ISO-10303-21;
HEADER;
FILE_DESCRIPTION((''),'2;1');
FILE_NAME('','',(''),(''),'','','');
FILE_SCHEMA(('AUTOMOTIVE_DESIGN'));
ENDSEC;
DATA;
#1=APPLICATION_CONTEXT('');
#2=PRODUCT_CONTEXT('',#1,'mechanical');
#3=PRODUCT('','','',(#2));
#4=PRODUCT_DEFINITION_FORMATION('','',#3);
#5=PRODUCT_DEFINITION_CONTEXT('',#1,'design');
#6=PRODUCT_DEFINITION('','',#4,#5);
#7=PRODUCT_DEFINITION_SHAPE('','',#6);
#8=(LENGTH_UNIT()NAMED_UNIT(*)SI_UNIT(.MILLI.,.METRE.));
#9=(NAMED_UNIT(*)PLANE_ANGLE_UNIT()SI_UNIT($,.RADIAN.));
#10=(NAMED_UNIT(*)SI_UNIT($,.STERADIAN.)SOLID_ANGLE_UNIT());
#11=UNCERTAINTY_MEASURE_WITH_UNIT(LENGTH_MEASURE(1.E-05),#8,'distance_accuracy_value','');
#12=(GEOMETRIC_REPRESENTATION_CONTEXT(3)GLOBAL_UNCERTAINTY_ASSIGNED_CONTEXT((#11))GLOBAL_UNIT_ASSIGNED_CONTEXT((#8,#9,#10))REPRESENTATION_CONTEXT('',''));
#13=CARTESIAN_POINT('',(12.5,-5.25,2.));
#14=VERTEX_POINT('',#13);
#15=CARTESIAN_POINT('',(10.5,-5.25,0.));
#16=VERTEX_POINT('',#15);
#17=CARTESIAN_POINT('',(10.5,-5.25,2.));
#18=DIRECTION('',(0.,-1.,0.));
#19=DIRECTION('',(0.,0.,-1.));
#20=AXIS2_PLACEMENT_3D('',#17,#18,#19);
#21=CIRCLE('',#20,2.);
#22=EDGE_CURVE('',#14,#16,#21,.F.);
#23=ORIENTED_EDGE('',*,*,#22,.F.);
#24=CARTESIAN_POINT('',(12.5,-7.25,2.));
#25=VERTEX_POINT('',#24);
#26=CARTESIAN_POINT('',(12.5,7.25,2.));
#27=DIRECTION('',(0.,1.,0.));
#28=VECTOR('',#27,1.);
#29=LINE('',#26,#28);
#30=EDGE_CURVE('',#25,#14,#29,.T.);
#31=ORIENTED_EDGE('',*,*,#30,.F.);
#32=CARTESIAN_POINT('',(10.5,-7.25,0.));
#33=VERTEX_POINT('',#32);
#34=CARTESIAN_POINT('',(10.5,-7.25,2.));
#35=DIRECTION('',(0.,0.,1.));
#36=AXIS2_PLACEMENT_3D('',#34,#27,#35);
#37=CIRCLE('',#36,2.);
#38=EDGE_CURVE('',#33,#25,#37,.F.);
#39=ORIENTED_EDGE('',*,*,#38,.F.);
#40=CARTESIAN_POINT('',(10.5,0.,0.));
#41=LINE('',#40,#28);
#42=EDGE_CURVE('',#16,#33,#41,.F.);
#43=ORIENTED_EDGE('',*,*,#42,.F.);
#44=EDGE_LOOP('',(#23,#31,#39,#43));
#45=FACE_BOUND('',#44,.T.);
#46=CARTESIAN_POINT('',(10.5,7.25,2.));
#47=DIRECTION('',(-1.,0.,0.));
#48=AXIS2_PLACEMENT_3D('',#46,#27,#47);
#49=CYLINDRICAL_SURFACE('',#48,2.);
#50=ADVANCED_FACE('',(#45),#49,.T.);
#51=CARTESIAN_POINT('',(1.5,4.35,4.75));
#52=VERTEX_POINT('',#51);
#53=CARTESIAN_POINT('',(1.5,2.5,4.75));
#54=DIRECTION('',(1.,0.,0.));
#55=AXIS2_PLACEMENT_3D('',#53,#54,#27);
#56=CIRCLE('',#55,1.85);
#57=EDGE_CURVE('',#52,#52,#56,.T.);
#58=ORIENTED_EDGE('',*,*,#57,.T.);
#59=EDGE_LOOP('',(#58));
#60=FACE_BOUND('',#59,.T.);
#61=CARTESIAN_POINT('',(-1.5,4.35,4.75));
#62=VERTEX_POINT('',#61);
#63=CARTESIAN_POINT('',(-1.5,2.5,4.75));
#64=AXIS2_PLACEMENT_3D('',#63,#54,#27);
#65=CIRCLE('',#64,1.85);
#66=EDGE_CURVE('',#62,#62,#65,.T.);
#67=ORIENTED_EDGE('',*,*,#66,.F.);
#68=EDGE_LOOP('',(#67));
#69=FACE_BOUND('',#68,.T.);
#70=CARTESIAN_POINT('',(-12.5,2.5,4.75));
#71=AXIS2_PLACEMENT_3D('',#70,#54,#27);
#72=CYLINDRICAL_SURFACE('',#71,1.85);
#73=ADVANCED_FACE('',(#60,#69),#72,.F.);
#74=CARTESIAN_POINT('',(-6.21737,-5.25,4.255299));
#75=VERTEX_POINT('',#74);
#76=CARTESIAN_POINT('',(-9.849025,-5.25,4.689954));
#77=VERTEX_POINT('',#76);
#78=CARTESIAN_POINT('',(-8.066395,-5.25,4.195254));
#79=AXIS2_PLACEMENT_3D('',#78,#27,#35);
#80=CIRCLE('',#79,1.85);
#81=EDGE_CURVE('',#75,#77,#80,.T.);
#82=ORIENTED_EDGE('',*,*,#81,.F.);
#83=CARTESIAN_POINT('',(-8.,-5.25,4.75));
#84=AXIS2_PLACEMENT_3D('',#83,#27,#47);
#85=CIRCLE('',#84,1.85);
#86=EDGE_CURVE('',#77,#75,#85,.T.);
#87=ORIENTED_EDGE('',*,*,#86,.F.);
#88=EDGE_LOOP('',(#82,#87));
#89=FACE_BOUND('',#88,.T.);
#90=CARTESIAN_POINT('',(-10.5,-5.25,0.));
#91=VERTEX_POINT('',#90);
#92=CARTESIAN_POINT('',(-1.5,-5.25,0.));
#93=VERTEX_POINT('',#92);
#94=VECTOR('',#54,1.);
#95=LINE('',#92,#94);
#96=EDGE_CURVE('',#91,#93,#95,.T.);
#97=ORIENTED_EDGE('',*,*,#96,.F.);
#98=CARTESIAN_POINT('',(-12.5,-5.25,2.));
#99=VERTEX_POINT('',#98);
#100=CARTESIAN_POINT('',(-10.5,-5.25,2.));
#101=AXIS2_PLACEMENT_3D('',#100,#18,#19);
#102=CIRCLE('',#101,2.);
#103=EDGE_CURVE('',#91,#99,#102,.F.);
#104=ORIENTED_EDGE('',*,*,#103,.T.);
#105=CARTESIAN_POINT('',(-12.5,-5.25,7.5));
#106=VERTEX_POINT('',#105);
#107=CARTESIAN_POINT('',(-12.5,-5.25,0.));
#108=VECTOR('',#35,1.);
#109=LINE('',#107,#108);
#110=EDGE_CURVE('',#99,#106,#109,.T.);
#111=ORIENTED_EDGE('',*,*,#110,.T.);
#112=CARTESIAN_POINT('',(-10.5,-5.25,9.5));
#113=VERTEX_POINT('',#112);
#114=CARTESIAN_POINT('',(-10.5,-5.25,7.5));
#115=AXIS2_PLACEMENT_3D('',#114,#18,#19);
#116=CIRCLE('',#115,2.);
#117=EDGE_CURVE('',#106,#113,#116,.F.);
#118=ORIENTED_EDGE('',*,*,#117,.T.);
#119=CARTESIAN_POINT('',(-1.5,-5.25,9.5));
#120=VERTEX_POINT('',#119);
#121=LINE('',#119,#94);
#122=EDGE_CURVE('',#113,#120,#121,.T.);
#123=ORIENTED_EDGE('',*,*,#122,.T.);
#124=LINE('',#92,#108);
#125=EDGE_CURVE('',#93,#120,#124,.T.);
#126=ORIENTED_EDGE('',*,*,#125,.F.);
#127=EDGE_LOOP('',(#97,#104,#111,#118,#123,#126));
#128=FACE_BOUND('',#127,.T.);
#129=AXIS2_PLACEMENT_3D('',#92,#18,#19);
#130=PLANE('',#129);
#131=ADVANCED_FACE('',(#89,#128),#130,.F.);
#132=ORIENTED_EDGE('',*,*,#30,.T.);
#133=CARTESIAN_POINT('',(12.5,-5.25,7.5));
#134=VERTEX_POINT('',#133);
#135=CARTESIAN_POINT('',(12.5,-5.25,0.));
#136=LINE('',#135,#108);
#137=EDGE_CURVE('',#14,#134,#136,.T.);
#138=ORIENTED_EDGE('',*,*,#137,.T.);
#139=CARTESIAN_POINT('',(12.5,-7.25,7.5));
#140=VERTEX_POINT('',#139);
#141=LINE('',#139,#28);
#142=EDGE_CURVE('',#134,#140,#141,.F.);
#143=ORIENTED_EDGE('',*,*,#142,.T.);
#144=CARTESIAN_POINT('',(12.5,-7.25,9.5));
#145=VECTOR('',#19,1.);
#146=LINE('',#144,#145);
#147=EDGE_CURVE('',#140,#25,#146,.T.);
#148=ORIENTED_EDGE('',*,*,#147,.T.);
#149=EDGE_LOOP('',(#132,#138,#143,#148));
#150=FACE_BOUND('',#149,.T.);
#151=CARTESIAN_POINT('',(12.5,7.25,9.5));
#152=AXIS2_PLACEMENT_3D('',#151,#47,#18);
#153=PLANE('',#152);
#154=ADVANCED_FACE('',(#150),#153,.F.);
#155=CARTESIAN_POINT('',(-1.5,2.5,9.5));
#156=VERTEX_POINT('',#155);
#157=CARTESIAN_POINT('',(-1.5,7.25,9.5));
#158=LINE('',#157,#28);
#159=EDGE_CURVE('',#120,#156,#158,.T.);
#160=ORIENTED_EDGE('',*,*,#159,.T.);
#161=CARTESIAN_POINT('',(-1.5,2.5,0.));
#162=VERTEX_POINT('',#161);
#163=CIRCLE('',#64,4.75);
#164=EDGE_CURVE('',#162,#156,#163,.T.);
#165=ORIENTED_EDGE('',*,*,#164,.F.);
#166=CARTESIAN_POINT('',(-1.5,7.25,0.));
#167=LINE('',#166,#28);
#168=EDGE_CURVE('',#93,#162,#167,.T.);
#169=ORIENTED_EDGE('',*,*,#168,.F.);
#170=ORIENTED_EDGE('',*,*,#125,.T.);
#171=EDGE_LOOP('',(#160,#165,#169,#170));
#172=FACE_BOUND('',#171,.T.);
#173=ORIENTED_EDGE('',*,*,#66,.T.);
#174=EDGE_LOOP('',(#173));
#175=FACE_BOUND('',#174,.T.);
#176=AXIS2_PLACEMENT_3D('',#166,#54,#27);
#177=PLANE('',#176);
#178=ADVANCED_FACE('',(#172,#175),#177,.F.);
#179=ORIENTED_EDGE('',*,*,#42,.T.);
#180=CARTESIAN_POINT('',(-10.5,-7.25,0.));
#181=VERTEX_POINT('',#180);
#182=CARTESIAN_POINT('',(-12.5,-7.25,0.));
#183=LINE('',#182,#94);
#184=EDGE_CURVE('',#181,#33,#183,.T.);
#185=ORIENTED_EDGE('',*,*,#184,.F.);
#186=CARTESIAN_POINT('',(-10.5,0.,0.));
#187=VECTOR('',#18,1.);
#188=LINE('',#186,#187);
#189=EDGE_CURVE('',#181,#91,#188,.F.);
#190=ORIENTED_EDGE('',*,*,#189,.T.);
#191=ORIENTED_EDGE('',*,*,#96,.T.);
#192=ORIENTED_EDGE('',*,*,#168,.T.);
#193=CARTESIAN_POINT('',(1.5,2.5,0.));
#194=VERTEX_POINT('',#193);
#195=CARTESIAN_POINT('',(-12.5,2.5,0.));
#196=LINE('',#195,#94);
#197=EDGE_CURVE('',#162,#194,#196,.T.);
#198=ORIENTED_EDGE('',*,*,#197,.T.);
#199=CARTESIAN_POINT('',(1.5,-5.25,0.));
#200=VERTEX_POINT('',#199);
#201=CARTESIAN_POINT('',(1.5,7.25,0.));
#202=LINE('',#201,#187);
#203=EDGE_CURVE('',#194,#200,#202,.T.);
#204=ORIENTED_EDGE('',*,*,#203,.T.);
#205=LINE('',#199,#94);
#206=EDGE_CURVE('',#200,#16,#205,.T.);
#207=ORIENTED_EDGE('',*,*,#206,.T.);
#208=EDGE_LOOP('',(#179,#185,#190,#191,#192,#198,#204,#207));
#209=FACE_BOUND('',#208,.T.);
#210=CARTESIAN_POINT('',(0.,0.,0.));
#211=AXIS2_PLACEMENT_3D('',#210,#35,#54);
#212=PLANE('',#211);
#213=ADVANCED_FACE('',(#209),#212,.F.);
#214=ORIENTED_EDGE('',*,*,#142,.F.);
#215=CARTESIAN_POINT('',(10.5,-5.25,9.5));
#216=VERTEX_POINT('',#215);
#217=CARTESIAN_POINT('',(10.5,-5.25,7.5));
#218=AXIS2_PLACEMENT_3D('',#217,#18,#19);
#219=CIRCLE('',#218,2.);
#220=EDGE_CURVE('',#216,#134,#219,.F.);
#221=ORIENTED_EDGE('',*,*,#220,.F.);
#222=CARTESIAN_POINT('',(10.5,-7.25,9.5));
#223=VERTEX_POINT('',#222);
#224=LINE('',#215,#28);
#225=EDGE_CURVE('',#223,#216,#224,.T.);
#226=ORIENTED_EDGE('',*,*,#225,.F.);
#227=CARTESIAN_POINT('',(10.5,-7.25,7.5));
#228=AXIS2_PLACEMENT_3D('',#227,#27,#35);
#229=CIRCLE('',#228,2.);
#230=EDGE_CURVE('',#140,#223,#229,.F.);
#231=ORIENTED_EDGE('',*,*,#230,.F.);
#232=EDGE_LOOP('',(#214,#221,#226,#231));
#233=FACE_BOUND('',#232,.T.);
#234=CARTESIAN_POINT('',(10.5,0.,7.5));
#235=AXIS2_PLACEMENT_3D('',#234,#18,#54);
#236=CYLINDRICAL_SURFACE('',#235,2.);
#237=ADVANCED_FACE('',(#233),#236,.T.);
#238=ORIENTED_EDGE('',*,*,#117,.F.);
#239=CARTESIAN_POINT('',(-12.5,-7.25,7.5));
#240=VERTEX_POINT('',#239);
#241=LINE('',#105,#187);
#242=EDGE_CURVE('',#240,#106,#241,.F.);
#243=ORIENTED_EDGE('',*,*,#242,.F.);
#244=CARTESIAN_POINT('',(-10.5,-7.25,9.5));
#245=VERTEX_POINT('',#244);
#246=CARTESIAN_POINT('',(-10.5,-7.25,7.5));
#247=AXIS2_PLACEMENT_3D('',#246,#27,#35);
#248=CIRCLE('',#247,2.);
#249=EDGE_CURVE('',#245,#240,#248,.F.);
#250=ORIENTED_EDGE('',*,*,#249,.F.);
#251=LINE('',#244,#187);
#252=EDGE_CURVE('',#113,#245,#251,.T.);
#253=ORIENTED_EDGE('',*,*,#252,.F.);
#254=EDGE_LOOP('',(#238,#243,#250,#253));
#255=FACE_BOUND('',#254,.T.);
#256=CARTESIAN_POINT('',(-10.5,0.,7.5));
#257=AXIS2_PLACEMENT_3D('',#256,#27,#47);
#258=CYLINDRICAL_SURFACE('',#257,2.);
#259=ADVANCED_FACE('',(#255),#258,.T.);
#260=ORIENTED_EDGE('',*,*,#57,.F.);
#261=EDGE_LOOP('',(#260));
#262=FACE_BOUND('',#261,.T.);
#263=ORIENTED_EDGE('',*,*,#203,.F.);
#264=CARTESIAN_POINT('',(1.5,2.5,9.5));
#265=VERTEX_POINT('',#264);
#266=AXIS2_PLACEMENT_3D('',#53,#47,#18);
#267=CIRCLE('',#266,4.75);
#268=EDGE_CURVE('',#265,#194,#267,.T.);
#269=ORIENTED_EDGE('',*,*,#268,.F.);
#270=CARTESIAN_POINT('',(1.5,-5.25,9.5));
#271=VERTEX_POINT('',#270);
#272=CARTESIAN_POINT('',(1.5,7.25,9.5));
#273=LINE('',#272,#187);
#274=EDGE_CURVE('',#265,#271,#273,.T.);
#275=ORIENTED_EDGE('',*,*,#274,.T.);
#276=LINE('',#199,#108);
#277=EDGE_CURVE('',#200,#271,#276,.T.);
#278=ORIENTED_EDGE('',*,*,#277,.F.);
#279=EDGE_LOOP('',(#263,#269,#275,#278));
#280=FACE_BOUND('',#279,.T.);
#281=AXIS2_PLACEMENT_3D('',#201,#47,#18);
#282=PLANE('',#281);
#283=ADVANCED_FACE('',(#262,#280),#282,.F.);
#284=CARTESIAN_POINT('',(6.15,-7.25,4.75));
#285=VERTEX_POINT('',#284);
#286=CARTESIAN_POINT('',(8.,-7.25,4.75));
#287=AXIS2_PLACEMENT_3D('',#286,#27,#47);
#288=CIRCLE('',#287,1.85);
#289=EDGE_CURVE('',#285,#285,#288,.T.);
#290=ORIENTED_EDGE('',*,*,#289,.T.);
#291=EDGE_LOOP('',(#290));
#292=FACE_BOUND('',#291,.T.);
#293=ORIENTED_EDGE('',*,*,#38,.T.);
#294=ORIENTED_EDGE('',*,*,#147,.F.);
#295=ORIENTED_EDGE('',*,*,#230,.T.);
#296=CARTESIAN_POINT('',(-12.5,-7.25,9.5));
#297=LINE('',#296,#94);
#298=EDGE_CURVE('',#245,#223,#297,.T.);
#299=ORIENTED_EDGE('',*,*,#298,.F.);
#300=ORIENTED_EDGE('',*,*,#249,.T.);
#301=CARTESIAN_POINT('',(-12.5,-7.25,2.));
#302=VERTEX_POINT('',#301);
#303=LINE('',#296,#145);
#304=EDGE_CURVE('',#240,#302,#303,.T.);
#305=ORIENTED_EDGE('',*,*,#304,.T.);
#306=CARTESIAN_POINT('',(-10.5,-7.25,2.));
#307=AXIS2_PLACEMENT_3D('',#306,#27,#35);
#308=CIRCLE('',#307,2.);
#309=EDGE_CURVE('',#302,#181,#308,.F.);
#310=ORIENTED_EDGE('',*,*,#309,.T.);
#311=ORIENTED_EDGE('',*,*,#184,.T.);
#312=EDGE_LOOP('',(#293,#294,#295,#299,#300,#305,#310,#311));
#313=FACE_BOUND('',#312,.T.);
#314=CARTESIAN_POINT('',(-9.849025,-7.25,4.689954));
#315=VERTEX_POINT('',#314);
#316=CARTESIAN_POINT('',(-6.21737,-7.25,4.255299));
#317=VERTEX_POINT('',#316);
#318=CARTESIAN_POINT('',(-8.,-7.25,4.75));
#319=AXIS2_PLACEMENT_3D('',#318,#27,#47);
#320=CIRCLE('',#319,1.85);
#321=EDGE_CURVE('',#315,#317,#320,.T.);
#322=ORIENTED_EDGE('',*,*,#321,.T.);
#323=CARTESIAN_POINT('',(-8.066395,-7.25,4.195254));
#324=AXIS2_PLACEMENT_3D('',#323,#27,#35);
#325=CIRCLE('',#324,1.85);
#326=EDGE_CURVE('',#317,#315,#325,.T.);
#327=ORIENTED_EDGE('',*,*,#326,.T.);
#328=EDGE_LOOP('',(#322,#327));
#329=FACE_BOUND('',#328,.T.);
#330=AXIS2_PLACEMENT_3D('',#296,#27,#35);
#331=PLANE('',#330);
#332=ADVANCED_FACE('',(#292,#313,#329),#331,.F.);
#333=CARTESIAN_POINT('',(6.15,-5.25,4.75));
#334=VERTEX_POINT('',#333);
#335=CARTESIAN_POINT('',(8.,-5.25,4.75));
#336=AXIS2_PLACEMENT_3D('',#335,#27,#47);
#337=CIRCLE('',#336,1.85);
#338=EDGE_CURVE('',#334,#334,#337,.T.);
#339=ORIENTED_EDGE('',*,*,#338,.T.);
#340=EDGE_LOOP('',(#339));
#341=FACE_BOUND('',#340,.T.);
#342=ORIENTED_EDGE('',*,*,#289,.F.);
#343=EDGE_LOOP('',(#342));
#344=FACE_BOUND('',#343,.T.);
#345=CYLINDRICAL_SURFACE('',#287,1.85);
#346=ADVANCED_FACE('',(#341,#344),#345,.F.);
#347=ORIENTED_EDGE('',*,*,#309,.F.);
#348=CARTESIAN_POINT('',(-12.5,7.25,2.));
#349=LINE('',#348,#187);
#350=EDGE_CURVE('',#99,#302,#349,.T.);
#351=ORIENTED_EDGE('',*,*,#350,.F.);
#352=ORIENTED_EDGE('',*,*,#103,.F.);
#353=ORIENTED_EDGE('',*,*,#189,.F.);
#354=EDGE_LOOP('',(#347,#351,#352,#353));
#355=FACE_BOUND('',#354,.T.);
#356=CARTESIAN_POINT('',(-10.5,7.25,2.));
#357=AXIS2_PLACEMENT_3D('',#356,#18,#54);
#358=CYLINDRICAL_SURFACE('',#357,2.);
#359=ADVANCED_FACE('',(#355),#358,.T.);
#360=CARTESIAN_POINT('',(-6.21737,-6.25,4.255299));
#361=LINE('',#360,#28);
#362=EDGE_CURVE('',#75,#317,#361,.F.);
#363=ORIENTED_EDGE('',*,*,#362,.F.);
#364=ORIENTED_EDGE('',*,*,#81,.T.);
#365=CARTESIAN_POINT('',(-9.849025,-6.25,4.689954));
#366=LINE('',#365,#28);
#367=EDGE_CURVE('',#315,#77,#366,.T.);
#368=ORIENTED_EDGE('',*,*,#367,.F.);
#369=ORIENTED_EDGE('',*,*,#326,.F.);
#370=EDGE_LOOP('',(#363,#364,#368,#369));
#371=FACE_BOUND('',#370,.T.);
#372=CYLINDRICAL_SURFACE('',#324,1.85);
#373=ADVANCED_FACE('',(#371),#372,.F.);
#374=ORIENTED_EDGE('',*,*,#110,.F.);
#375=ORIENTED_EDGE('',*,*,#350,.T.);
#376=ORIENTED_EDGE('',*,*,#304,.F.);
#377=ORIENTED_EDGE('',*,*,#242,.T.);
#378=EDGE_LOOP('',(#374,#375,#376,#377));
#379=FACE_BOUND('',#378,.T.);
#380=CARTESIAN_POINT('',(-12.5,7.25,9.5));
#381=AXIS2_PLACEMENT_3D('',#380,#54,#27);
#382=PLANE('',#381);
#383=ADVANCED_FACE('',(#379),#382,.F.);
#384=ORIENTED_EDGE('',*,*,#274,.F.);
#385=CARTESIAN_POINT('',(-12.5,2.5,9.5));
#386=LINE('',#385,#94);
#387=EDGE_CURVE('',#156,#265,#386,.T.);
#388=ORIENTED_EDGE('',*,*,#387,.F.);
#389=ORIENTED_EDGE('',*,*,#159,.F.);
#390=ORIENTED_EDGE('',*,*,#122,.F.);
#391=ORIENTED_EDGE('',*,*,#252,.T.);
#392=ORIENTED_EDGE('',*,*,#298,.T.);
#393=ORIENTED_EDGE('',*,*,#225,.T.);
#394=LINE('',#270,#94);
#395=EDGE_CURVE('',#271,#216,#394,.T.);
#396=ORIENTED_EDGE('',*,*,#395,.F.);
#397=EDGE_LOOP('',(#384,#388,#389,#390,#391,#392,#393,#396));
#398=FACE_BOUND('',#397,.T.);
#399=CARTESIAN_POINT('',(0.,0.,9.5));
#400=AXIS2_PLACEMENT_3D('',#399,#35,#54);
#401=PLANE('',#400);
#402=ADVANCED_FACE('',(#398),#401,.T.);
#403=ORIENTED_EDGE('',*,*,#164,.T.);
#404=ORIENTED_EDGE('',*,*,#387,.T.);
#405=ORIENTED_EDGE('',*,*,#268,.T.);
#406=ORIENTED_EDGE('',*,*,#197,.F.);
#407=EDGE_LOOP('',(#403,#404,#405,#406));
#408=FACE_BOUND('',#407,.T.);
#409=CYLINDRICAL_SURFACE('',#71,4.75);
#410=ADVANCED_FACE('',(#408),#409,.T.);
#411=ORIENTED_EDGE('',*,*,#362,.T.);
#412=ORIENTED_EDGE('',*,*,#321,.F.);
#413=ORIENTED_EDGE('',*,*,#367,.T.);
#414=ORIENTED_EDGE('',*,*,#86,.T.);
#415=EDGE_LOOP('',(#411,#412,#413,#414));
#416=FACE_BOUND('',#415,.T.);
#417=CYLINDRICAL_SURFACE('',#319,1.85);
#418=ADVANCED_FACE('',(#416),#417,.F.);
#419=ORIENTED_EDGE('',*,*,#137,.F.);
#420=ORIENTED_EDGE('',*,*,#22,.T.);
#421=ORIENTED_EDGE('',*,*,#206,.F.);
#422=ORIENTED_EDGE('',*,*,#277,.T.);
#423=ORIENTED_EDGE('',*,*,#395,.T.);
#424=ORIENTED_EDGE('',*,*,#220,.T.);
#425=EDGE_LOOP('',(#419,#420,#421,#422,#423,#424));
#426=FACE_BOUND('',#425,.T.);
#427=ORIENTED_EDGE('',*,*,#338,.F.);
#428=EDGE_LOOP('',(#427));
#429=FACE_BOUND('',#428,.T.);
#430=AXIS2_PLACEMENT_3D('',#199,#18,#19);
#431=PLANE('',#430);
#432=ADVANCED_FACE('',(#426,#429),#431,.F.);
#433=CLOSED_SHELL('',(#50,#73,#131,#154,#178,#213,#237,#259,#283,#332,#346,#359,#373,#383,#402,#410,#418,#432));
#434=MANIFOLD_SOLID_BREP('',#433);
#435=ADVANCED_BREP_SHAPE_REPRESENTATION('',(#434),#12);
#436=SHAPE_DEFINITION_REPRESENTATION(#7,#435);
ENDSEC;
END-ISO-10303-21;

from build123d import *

# Parameters (mm, degrees)
SKETCH1_W           = 25
SKETCH1_H           = 14.5
BOSS_EXTRUDE1_DEPTH = 9.5
CUT_EXTRUDE1_DEPTH  = 28.709429803
SKETCH3_W           = 11
SKETCH3_H           = 12.5
CUT_EXTRUDE2_DEPTH  = 18.293423606
SKETCH4_R           = 1.85
CUT_EXTRUDE3_DEPTH  = 19.406860134
FILLET1_R           = 2
SKETCH5_R           = 1.85
CUT_EXTRUDE4_DEPTH  = 21.06863224
SKETCH11_R          = 1.85
CUT_EXTRUDE10_DEPTH = 104.327776008


with BuildPart() as part:
    # Sketch1 → Boss-Extrude1 (new body)
    with BuildSketch(Plane.XY):
        Rectangle(SKETCH1_W, SKETCH1_H)
    extrude(amount=BOSS_EXTRUDE1_DEPTH)

    # Sketch2 → Cut-Extrude1 (cut, through all)
    with BuildSketch(Plane(origin=(12.5, 0, 0), x_dir=(0, 0, -1), z_dir=(1, 0, 0))):
        with BuildLine():
            Line((-9.5, 2.5), (-9.5, 8.25))
            Line((-9.5, 8.25), (0, 8.25))
            Line((0, 8.25), (0, 2.5))
            ThreePointArc((0, 2.5), (-4.75, 7.25), (-9.5, 2.5))
        make_face()
    extrude(amount=-CUT_EXTRUDE1_DEPTH, mode=Mode.SUBTRACT)

    # Sketch3 → Cut-Extrude2 (cut, through all)
    with BuildSketch(Plane.XY.offset(9.5)):
        with Locations((7, 1)):
            Rectangle(SKETCH3_W, SKETCH3_H)
        with Locations((-7, 1)):
            Rectangle(SKETCH3_W, SKETCH3_H)
    extrude(amount=-CUT_EXTRUDE2_DEPTH, mode=Mode.SUBTRACT)

    # Sketch4 → Cut-Extrude3 (cut, through all)
    with BuildSketch(Plane(origin=(1.5, 0, 0), x_dir=(0, 0, -1), z_dir=(1, 0, 0))):
        with Locations(Location((-4.75, 2.5, 0), (0, 0, 90))):
            Circle(SKETCH4_R)
    extrude(amount=-CUT_EXTRUDE3_DEPTH, mode=Mode.SUBTRACT)

    # Fillet1
    fillet1_edges = [part.edges().sort_by_distance(p)[0] for p in [
        (12.5, -6.25, 9.5),
        (12.5, -6.25, 0),
        (-12.5, -6.25, 9.5),
        (-12.5, -6.25, 0),
    ]]
    fillet(fillet1_edges, radius=FILLET1_R)

    # Sketch5 → Cut-Extrude4 (cut, through all)
    with BuildSketch(Plane(origin=(0, -5.25, 0), x_dir=(1, 0, 0), z_dir=(0, 1, 0))):
        with Locations(Location((-8, -4.75, 0), (0, 0, 180))):
            Circle(SKETCH5_R)
        with Locations(Location((8, -4.75, 0), (0, 0, 180))):
            Circle(SKETCH5_R)
    extrude(amount=-CUT_EXTRUDE4_DEPTH, mode=Mode.SUBTRACT)

    # Sketch11 → Cut-Extrude10 (cut, through all)
    with BuildSketch(Plane(origin=(-55.7, -5.25, -67.11030802), x_dir=(-1, 0, 0), z_dir=(0, 1, 0))):
        with Locations((-47.633605072, 71.30556155)):
            Circle(SKETCH11_R)
    extrude(amount=-CUT_EXTRUDE10_DEPTH, mode=Mode.SUBTRACT)


solid = part.part
